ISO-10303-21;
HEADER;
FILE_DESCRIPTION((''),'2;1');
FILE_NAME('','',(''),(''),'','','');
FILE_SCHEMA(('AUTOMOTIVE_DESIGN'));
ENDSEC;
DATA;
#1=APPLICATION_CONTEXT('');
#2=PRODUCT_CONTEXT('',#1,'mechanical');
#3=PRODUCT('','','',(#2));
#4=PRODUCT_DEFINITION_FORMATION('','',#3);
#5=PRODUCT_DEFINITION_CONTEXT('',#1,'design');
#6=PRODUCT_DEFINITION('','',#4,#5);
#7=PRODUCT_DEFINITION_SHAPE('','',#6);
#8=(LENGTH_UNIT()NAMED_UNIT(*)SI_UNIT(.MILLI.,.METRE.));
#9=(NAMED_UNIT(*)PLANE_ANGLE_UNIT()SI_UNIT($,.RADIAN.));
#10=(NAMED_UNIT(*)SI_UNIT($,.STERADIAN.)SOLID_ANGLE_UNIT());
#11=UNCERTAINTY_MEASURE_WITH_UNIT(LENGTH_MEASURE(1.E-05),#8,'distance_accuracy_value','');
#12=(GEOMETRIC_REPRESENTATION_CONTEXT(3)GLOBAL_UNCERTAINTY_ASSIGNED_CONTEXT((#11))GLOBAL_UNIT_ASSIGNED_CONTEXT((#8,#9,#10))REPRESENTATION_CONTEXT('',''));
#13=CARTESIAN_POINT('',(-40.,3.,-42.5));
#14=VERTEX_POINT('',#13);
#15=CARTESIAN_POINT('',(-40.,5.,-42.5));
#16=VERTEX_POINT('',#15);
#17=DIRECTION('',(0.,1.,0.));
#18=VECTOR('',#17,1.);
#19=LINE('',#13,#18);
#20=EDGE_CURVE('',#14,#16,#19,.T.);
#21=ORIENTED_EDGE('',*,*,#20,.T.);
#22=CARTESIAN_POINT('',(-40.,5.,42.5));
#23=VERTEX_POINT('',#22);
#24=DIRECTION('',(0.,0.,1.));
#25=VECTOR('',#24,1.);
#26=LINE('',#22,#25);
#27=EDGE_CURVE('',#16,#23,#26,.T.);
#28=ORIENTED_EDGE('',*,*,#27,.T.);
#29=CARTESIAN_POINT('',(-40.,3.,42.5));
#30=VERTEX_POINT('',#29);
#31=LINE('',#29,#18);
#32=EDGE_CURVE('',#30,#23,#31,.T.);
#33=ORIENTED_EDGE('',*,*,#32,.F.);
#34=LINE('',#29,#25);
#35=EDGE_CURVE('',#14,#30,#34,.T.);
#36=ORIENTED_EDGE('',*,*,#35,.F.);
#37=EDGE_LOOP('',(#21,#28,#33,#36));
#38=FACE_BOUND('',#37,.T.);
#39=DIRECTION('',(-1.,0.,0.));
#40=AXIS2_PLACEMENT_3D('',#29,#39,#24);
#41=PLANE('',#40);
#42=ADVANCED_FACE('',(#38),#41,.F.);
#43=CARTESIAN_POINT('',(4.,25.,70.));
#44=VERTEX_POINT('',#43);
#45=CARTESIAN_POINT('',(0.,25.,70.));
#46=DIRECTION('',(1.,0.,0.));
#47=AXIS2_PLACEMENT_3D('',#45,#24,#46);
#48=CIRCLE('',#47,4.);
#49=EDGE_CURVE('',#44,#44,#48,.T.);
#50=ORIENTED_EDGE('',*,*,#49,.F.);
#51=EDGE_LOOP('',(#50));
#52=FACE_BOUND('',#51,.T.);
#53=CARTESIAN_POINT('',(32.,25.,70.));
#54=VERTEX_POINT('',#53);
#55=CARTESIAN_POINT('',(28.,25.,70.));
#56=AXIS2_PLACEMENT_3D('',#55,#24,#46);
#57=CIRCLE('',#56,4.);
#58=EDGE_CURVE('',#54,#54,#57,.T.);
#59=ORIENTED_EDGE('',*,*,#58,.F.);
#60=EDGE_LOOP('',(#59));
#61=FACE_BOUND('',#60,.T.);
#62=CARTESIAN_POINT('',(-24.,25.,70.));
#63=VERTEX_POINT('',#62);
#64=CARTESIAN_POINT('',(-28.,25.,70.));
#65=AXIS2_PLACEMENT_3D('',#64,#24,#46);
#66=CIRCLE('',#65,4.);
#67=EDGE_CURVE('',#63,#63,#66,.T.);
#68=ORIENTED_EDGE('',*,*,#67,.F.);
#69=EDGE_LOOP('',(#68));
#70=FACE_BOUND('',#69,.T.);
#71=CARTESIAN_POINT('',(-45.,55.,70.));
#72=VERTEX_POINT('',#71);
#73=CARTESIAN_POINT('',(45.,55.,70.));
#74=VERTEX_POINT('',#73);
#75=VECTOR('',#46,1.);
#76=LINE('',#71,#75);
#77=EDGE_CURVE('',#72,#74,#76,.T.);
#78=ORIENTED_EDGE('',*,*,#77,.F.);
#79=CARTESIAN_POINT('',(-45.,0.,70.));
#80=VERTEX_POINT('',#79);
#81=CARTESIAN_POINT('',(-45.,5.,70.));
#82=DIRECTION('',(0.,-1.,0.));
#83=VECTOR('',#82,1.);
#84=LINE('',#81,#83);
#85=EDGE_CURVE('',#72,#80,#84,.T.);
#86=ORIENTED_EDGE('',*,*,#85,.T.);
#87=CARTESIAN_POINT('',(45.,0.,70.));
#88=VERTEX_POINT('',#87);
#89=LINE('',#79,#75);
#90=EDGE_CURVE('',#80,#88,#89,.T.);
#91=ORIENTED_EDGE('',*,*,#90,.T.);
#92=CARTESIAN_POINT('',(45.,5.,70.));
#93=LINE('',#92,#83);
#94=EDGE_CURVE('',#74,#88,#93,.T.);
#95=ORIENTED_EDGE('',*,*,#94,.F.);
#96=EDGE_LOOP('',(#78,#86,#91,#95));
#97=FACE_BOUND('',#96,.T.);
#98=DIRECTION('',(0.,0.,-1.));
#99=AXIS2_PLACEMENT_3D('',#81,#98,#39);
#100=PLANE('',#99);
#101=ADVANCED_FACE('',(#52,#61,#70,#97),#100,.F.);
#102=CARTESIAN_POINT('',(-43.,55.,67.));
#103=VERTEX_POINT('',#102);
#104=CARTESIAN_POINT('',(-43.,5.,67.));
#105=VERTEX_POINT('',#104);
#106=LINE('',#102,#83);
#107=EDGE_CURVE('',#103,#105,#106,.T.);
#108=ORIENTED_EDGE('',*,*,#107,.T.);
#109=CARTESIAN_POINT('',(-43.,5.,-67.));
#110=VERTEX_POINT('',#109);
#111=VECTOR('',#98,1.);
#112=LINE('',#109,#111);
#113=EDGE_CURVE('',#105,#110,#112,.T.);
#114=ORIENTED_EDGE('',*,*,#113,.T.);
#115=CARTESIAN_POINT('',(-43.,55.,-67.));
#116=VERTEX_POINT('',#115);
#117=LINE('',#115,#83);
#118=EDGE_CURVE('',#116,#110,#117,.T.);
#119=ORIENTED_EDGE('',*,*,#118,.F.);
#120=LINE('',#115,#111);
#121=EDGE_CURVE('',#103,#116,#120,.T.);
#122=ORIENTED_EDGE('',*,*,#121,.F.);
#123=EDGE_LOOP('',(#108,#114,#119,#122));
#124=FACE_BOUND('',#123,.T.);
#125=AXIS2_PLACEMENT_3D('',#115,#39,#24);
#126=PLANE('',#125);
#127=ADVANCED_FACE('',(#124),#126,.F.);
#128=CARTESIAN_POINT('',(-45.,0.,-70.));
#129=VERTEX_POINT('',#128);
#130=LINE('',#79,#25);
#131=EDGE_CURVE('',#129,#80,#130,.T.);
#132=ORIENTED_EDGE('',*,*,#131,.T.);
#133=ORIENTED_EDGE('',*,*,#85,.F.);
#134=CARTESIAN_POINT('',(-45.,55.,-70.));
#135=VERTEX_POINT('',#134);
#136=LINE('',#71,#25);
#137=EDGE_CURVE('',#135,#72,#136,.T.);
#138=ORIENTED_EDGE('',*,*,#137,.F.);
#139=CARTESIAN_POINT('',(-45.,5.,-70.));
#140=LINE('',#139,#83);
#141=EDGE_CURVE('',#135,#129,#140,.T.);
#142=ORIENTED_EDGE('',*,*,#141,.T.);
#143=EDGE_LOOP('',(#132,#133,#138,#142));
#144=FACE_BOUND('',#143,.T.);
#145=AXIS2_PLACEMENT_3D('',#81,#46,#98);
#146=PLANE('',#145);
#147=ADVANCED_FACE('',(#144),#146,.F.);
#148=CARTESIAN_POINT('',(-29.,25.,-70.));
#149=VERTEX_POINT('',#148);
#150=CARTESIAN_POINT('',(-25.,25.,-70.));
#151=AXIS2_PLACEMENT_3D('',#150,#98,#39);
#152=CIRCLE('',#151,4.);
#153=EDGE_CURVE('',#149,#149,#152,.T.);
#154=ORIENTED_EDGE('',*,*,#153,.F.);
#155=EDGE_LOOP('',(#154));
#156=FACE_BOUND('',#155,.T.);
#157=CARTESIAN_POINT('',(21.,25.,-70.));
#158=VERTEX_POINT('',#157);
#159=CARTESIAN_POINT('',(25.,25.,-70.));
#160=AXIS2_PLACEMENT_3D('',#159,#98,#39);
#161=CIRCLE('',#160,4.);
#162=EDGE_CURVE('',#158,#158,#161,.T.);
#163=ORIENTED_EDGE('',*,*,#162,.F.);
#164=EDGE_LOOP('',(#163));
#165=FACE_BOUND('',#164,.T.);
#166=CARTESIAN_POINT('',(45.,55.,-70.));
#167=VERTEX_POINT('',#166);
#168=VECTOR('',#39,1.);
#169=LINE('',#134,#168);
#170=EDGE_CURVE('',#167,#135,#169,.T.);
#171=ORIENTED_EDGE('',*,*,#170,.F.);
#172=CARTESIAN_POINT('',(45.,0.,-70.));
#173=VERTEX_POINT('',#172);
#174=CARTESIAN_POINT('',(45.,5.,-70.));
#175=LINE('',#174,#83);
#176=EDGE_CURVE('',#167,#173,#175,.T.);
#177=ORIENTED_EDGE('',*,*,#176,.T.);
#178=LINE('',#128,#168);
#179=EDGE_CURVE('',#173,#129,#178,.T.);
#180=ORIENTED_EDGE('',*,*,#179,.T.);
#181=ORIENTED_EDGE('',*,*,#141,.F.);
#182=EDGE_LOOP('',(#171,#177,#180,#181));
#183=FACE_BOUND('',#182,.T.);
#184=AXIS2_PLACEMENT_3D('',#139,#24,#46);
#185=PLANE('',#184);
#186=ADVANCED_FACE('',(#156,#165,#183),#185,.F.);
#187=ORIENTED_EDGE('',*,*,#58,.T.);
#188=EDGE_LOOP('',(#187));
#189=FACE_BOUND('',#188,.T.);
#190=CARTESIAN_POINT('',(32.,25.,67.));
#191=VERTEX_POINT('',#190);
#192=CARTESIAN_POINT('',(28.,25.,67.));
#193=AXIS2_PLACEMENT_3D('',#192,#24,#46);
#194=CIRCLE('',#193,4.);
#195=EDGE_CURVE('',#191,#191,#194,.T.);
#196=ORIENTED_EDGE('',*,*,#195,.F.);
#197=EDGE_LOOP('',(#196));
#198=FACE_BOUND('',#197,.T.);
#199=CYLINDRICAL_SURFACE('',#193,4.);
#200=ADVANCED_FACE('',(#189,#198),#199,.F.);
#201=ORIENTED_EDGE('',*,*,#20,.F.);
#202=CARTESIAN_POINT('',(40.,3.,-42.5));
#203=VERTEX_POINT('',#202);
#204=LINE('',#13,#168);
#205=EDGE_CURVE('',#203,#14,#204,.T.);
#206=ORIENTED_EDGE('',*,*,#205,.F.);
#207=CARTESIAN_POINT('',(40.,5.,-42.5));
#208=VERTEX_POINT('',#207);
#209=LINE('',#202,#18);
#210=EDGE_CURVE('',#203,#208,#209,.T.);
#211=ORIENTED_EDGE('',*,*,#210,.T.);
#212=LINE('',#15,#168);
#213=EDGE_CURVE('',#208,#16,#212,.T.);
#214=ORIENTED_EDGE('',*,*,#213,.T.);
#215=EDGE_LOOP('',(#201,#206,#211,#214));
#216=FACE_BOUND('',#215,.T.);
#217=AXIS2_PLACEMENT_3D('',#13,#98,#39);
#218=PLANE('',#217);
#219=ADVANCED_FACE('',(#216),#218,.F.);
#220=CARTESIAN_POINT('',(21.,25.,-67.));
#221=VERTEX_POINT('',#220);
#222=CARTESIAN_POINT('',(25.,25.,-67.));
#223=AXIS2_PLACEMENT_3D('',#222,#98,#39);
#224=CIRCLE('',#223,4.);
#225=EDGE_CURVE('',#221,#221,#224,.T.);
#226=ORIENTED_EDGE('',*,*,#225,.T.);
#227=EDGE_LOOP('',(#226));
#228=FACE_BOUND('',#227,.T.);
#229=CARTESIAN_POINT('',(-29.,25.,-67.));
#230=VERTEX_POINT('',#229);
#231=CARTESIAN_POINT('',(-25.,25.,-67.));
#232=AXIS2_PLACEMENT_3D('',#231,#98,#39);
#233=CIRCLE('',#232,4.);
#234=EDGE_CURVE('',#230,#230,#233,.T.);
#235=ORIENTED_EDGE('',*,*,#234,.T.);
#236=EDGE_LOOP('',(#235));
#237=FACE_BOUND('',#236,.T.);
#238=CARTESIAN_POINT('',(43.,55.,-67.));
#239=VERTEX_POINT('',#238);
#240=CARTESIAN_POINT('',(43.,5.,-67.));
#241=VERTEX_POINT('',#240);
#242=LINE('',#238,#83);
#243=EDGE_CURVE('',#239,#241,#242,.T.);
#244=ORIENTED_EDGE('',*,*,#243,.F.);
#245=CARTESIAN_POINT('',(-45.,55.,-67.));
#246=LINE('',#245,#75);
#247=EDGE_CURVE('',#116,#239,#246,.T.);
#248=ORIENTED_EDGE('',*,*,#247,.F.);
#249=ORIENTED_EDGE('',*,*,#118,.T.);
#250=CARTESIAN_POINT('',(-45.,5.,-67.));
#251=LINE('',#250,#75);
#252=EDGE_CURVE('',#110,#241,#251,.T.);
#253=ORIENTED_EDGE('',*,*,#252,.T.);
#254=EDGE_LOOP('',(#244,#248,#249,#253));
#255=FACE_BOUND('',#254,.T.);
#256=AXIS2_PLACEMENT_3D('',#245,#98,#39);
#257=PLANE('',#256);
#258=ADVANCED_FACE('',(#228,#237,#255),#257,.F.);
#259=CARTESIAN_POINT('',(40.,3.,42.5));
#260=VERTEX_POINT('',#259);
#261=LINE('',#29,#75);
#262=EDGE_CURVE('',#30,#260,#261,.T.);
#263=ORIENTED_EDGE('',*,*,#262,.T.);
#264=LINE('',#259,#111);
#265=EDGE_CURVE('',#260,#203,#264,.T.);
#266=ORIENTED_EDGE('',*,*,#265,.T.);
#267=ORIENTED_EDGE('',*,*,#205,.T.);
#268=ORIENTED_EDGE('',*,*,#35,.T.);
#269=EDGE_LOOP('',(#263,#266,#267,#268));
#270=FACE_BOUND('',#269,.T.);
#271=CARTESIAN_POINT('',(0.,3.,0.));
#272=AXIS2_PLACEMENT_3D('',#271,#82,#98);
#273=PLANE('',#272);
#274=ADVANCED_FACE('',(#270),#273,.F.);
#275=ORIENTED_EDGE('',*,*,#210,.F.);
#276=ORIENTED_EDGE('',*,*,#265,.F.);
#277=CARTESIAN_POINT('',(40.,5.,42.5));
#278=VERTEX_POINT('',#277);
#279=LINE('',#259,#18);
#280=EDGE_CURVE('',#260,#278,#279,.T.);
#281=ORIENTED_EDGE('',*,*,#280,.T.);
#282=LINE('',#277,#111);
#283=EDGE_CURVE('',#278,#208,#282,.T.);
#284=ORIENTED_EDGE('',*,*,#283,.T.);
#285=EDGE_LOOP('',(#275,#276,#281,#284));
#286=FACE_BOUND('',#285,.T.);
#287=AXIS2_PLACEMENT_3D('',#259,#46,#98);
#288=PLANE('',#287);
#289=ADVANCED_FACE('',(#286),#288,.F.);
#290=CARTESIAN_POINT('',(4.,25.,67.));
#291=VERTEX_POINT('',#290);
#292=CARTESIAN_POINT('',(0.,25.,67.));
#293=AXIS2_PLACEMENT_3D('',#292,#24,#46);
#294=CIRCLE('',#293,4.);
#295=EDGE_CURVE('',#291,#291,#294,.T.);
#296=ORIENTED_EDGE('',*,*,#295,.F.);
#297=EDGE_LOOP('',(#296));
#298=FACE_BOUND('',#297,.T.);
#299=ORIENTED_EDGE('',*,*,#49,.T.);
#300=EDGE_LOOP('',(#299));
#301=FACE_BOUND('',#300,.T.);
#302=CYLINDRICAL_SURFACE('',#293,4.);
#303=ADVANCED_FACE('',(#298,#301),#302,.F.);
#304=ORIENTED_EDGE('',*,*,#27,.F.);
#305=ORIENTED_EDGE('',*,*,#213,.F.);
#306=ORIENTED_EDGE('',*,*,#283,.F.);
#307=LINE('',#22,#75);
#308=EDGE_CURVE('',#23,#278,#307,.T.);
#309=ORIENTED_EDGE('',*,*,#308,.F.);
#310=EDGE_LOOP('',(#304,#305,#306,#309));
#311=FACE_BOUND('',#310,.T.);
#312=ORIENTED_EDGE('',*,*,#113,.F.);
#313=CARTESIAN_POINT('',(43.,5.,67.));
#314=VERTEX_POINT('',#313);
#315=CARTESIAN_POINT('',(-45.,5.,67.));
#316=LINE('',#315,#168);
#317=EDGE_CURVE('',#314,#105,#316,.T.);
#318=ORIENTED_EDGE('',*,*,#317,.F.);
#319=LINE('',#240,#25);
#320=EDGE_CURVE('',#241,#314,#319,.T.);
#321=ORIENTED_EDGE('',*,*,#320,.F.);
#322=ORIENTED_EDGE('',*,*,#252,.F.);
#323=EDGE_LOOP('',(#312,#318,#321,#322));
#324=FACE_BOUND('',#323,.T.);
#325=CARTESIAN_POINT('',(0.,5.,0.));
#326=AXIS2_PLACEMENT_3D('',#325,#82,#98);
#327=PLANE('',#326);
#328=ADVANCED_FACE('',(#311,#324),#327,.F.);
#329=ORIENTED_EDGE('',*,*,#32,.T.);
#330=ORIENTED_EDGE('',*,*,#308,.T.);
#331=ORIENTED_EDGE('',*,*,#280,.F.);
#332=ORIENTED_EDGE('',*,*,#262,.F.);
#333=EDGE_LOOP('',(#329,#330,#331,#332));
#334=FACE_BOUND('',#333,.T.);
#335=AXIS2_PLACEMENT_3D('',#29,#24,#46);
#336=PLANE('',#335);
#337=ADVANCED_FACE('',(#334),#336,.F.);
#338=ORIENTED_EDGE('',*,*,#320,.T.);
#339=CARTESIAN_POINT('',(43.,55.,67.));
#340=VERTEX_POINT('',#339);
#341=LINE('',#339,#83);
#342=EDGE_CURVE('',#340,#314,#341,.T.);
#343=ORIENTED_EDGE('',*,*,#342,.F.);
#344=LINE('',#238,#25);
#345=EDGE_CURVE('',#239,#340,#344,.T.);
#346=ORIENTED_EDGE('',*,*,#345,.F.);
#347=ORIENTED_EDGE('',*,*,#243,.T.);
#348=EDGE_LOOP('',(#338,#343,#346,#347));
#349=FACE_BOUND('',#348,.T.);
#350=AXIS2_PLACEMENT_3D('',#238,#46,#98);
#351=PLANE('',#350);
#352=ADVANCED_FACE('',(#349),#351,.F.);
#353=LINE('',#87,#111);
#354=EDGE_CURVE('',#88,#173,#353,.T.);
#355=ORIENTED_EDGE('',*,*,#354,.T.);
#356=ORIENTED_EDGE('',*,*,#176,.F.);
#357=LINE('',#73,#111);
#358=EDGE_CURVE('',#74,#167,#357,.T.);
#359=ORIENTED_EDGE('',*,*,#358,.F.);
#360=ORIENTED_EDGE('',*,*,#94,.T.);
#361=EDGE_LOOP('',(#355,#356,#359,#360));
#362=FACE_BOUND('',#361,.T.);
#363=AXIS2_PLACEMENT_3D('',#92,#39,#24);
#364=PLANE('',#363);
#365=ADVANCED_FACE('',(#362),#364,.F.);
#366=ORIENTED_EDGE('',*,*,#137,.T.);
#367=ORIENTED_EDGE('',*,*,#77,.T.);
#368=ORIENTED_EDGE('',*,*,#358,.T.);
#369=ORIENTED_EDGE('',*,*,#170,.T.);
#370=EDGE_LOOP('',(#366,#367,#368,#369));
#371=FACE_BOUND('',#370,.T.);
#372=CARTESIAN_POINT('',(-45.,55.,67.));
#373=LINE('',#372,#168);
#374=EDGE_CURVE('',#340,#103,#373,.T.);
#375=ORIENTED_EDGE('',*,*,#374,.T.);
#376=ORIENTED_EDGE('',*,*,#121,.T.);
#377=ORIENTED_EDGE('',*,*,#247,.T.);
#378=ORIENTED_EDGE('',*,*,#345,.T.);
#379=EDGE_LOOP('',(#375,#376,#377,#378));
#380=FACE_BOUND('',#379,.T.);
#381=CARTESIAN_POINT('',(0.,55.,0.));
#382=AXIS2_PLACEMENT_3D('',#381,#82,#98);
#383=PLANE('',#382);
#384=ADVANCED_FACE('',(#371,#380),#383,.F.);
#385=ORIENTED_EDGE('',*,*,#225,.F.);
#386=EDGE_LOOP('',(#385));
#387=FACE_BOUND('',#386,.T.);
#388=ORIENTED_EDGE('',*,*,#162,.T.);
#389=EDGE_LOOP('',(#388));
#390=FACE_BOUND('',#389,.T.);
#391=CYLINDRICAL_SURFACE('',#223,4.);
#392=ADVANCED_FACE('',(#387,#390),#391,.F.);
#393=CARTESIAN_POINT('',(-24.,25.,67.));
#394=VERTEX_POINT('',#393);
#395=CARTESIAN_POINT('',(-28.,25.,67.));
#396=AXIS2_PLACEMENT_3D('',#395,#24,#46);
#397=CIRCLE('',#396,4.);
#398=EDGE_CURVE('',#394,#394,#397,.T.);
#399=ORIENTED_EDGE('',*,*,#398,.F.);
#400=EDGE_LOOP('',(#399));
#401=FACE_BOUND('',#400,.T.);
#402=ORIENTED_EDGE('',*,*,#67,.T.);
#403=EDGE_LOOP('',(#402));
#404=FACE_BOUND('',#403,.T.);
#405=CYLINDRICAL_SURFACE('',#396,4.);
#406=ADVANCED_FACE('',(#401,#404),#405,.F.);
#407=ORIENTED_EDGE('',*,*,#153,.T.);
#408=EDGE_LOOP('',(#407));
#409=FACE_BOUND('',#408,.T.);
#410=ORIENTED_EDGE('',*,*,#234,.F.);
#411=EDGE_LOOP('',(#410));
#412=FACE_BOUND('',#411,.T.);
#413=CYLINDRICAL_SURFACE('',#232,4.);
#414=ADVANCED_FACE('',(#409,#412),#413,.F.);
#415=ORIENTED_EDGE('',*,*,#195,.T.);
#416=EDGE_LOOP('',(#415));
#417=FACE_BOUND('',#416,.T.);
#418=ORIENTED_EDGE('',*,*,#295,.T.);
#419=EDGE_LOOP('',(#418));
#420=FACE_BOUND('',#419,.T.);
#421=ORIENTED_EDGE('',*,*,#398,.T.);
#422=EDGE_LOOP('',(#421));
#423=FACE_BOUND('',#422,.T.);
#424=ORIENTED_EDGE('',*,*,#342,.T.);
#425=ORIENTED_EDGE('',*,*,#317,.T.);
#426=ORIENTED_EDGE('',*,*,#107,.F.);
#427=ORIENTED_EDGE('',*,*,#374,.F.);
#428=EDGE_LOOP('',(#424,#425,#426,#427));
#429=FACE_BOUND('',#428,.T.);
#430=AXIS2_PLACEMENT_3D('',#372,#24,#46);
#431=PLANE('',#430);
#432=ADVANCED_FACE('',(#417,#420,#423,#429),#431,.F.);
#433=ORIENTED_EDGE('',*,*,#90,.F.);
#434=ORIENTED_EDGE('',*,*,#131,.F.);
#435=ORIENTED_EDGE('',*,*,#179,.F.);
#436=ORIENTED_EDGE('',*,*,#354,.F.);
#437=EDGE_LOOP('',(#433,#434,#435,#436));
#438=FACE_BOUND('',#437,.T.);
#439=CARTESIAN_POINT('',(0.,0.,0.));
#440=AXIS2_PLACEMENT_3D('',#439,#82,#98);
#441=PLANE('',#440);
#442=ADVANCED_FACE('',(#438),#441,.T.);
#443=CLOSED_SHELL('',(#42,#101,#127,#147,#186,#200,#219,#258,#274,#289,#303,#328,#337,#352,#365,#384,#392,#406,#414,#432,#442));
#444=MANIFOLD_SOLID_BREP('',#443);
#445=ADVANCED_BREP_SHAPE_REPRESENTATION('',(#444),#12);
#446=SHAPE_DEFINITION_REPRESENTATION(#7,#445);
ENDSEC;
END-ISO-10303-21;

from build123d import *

# Parameters (mm, degrees)
SKETCH1_W           = 90
SKETCH1_H           = 140
BOSS_EXTRUDE1_DEPTH = 5
SKETCH2_W           = 80
SKETCH2_H           = 85
CUT_EXTRUDE1_DEPTH  = 2
SKETCH3_W           = 90
SKETCH3_H           = 3
BOSS_EXTRUDE2_DEPTH = 50
SKETCH4_W           = 2
SKETCH4_H           = 134
BOSS_EXTRUDE3_DEPTH = 50
SKETCH5_R           = 4
CUT_EXTRUDE2_DEPTH  = 3
SKETCH6_R           = 4
CUT_EXTRUDE3_DEPTH  = 3


with BuildPart() as part:
    # Sketch1 → Boss-Extrude1 (new body)
    with BuildSketch(Plane(origin=(0, 0, 0), x_dir=(1, 0, 0), z_dir=(0, 1, 0))):
        Rectangle(SKETCH1_W, SKETCH1_H)
    extrude(amount=BOSS_EXTRUDE1_DEPTH)

    # Sketch2 → Cut-Extrude1 (cut)
    with BuildSketch(Plane(origin=(0, 5, 0), x_dir=(1, 0, 0), z_dir=(0, 1, 0))):
        Rectangle(SKETCH2_W, SKETCH2_H)
    extrude(amount=-CUT_EXTRUDE1_DEPTH, mode=Mode.SUBTRACT)

    # Sketch3 → Boss-Extrude2 (add)
    with BuildSketch(Plane(origin=(0, 5, 0), x_dir=(1, 0, 0), z_dir=(0, 1, 0))):
        with Locations((0, -68.5)):
            Rectangle(SKETCH3_W, SKETCH3_H)
        with Locations((0, 68.5)):
            Rectangle(SKETCH3_W, SKETCH3_H)
    extrude(amount=BOSS_EXTRUDE2_DEPTH)

    # Sketch4 → Boss-Extrude3 (add)
    with BuildSketch(Plane(origin=(0, 5, 0), x_dir=(1, 0, 0), z_dir=(0, 1, 0))):
        with Locations((-44, 0)):
            Rectangle(SKETCH4_W, SKETCH4_H)
        with Locations((44, 0)):
            Rectangle(SKETCH4_W, SKETCH4_H)
    extrude(amount=BOSS_EXTRUDE3_DEPTH)

    # Sketch5 → Cut-Extrude2 (cut)
    with BuildSketch(Plane.XY.offset(70)):
        with Locations((0, 25)):
            Circle(SKETCH5_R)
        with Locations((28, 25)):
            Circle(SKETCH5_R)
        with Locations((-28, 25)):
            Circle(SKETCH5_R)
    extrude(amount=-CUT_EXTRUDE2_DEPTH, mode=Mode.SUBTRACT)

    # Sketch6 → Cut-Extrude3 (cut)
    with BuildSketch(Plane(origin=(0, 0, -70), x_dir=(-1, 0, 0), z_dir=(0, 0, -1))):
        with Locations((-25, 25)):
            Circle(SKETCH6_R)
        with Locations((25, 25)):
            Circle(SKETCH6_R)
    extrude(amount=-CUT_EXTRUDE3_DEPTH, mode=Mode.SUBTRACT)


solid = part.part
